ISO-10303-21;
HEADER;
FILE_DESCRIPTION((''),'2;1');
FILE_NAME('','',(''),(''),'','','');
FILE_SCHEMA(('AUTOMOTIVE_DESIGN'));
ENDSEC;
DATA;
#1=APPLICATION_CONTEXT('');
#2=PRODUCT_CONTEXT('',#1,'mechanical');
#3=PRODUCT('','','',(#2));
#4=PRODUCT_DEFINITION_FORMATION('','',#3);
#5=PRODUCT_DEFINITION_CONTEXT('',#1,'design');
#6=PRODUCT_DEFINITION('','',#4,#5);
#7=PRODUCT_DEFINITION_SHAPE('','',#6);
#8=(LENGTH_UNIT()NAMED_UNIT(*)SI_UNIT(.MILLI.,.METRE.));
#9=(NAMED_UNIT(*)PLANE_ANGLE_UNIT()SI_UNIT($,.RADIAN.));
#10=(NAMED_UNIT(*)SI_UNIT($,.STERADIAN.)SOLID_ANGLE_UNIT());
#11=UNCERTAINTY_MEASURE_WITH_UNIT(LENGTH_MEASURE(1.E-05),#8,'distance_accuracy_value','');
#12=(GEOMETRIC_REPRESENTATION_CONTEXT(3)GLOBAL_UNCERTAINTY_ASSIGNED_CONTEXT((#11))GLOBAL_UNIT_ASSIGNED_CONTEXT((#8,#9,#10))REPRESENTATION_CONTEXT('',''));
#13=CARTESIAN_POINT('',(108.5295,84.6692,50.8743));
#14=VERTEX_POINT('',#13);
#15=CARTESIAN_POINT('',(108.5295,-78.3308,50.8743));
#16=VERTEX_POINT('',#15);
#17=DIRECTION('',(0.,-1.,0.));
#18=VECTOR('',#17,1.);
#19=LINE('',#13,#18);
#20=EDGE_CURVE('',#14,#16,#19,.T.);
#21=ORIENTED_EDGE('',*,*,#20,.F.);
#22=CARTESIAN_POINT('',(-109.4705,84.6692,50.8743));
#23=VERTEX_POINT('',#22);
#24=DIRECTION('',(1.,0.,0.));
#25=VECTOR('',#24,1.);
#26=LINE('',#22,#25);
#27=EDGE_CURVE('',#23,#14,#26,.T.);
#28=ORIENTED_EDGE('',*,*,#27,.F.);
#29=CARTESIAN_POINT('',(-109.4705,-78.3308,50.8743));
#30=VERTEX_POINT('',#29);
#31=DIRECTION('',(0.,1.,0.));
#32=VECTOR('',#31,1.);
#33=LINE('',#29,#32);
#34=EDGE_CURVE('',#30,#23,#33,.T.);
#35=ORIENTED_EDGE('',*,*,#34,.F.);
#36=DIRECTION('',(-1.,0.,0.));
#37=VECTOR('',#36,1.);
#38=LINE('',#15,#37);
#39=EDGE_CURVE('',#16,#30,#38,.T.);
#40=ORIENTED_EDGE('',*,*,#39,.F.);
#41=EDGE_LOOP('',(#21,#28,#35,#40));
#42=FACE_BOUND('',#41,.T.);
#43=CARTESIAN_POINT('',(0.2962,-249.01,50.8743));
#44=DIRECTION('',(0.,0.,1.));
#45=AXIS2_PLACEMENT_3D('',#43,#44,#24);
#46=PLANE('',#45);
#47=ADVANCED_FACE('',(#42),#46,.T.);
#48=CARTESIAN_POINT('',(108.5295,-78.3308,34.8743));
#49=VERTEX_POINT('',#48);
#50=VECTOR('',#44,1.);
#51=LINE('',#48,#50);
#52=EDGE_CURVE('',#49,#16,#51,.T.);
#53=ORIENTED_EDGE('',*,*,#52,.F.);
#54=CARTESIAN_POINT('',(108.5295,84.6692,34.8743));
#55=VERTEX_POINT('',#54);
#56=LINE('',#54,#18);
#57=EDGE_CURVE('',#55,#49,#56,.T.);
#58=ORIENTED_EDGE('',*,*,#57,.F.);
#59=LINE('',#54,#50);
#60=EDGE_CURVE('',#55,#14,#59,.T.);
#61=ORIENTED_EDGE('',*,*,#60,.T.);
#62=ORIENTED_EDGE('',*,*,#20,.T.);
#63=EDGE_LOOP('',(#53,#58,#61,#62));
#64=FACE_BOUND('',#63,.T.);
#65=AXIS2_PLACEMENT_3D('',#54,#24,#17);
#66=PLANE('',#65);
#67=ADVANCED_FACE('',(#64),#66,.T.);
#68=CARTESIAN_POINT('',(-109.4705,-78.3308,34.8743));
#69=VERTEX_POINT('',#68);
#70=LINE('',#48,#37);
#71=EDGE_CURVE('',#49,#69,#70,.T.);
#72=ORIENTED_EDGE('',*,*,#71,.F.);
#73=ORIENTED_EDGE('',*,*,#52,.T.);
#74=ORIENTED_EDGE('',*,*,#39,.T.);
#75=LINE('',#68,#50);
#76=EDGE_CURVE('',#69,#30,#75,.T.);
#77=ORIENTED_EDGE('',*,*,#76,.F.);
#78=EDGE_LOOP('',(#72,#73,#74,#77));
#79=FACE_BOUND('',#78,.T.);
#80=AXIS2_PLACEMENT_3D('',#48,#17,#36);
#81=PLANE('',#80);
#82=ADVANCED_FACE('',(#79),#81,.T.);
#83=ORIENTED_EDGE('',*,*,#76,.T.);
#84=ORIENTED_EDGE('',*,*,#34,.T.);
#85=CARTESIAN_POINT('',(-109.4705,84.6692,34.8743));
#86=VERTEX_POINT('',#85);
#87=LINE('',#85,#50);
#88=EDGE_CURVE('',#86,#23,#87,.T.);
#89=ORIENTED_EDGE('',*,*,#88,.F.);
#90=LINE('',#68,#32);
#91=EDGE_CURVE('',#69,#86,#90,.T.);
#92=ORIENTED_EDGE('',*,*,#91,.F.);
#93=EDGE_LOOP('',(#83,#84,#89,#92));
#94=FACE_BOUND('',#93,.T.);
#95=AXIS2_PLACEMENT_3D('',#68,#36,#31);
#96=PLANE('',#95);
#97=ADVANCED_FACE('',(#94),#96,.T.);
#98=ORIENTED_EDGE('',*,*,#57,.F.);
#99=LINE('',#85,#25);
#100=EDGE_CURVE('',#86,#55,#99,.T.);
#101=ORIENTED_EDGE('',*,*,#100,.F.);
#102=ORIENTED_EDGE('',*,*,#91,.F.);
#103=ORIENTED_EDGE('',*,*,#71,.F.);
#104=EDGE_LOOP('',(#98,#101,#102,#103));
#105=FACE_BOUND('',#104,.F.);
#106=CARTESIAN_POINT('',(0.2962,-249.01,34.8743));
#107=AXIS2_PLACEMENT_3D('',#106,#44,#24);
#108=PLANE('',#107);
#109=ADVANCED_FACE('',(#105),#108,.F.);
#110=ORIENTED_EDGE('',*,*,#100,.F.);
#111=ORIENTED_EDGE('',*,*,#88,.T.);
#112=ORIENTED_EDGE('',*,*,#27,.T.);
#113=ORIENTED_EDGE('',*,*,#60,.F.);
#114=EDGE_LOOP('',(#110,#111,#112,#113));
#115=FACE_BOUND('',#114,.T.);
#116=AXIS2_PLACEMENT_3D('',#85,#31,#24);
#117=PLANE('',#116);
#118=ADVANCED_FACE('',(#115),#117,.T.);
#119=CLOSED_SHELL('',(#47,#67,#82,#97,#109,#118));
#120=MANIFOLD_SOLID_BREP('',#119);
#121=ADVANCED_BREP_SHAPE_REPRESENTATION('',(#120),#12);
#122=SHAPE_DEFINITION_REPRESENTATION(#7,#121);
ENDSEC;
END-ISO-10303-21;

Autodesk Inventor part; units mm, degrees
ref_plane "YZ Plane" through (0, 0, 0) normal (1, 0, 0) x (0, 1, 0)
ref_plane "XZ Plane" through (0, 0, 0) normal (0, 1, 0) x (-1, 0, 0)
ref_plane "XY Plane" through (0, 0, 0) normal (0, 0, 1) x (1, 0, 0)
ref_plane "РабПлоскость5" through (0.2962, -249.01, 34.8743) normal (0, 0, 1) x (1, 0, 0)
sketch "Эскиз1" plane through (0.2962, -249.01, 34.8743) normal (0, 0, 1) x (1, 0, 0)
  line L0 (-109.7667, 333.6792) -> (108.2333, 333.6792)
  line L1 (108.2333, 333.6792) -> (108.2333, 170.6792)
  line L2 (108.2333, 170.6792) -> (-109.7667, 170.6792)
  line L3 (-109.7667, 170.6792) -> (-109.7667, 333.6792)
  point P0 (-0.2962, 249.01)
  dimension "d2" = 218
  dimension "d3" = 163
extrude "Выдавливание1" add sketch "Эскиз1" along normal blind 16
ref_plane "РабПлоскость6" through (0.2962, -249.01, 42.8743) normal (0, 0, 1) x (1, 0, 0)
properties part number "midwall-0" material "Древесно-стружечная плита"
